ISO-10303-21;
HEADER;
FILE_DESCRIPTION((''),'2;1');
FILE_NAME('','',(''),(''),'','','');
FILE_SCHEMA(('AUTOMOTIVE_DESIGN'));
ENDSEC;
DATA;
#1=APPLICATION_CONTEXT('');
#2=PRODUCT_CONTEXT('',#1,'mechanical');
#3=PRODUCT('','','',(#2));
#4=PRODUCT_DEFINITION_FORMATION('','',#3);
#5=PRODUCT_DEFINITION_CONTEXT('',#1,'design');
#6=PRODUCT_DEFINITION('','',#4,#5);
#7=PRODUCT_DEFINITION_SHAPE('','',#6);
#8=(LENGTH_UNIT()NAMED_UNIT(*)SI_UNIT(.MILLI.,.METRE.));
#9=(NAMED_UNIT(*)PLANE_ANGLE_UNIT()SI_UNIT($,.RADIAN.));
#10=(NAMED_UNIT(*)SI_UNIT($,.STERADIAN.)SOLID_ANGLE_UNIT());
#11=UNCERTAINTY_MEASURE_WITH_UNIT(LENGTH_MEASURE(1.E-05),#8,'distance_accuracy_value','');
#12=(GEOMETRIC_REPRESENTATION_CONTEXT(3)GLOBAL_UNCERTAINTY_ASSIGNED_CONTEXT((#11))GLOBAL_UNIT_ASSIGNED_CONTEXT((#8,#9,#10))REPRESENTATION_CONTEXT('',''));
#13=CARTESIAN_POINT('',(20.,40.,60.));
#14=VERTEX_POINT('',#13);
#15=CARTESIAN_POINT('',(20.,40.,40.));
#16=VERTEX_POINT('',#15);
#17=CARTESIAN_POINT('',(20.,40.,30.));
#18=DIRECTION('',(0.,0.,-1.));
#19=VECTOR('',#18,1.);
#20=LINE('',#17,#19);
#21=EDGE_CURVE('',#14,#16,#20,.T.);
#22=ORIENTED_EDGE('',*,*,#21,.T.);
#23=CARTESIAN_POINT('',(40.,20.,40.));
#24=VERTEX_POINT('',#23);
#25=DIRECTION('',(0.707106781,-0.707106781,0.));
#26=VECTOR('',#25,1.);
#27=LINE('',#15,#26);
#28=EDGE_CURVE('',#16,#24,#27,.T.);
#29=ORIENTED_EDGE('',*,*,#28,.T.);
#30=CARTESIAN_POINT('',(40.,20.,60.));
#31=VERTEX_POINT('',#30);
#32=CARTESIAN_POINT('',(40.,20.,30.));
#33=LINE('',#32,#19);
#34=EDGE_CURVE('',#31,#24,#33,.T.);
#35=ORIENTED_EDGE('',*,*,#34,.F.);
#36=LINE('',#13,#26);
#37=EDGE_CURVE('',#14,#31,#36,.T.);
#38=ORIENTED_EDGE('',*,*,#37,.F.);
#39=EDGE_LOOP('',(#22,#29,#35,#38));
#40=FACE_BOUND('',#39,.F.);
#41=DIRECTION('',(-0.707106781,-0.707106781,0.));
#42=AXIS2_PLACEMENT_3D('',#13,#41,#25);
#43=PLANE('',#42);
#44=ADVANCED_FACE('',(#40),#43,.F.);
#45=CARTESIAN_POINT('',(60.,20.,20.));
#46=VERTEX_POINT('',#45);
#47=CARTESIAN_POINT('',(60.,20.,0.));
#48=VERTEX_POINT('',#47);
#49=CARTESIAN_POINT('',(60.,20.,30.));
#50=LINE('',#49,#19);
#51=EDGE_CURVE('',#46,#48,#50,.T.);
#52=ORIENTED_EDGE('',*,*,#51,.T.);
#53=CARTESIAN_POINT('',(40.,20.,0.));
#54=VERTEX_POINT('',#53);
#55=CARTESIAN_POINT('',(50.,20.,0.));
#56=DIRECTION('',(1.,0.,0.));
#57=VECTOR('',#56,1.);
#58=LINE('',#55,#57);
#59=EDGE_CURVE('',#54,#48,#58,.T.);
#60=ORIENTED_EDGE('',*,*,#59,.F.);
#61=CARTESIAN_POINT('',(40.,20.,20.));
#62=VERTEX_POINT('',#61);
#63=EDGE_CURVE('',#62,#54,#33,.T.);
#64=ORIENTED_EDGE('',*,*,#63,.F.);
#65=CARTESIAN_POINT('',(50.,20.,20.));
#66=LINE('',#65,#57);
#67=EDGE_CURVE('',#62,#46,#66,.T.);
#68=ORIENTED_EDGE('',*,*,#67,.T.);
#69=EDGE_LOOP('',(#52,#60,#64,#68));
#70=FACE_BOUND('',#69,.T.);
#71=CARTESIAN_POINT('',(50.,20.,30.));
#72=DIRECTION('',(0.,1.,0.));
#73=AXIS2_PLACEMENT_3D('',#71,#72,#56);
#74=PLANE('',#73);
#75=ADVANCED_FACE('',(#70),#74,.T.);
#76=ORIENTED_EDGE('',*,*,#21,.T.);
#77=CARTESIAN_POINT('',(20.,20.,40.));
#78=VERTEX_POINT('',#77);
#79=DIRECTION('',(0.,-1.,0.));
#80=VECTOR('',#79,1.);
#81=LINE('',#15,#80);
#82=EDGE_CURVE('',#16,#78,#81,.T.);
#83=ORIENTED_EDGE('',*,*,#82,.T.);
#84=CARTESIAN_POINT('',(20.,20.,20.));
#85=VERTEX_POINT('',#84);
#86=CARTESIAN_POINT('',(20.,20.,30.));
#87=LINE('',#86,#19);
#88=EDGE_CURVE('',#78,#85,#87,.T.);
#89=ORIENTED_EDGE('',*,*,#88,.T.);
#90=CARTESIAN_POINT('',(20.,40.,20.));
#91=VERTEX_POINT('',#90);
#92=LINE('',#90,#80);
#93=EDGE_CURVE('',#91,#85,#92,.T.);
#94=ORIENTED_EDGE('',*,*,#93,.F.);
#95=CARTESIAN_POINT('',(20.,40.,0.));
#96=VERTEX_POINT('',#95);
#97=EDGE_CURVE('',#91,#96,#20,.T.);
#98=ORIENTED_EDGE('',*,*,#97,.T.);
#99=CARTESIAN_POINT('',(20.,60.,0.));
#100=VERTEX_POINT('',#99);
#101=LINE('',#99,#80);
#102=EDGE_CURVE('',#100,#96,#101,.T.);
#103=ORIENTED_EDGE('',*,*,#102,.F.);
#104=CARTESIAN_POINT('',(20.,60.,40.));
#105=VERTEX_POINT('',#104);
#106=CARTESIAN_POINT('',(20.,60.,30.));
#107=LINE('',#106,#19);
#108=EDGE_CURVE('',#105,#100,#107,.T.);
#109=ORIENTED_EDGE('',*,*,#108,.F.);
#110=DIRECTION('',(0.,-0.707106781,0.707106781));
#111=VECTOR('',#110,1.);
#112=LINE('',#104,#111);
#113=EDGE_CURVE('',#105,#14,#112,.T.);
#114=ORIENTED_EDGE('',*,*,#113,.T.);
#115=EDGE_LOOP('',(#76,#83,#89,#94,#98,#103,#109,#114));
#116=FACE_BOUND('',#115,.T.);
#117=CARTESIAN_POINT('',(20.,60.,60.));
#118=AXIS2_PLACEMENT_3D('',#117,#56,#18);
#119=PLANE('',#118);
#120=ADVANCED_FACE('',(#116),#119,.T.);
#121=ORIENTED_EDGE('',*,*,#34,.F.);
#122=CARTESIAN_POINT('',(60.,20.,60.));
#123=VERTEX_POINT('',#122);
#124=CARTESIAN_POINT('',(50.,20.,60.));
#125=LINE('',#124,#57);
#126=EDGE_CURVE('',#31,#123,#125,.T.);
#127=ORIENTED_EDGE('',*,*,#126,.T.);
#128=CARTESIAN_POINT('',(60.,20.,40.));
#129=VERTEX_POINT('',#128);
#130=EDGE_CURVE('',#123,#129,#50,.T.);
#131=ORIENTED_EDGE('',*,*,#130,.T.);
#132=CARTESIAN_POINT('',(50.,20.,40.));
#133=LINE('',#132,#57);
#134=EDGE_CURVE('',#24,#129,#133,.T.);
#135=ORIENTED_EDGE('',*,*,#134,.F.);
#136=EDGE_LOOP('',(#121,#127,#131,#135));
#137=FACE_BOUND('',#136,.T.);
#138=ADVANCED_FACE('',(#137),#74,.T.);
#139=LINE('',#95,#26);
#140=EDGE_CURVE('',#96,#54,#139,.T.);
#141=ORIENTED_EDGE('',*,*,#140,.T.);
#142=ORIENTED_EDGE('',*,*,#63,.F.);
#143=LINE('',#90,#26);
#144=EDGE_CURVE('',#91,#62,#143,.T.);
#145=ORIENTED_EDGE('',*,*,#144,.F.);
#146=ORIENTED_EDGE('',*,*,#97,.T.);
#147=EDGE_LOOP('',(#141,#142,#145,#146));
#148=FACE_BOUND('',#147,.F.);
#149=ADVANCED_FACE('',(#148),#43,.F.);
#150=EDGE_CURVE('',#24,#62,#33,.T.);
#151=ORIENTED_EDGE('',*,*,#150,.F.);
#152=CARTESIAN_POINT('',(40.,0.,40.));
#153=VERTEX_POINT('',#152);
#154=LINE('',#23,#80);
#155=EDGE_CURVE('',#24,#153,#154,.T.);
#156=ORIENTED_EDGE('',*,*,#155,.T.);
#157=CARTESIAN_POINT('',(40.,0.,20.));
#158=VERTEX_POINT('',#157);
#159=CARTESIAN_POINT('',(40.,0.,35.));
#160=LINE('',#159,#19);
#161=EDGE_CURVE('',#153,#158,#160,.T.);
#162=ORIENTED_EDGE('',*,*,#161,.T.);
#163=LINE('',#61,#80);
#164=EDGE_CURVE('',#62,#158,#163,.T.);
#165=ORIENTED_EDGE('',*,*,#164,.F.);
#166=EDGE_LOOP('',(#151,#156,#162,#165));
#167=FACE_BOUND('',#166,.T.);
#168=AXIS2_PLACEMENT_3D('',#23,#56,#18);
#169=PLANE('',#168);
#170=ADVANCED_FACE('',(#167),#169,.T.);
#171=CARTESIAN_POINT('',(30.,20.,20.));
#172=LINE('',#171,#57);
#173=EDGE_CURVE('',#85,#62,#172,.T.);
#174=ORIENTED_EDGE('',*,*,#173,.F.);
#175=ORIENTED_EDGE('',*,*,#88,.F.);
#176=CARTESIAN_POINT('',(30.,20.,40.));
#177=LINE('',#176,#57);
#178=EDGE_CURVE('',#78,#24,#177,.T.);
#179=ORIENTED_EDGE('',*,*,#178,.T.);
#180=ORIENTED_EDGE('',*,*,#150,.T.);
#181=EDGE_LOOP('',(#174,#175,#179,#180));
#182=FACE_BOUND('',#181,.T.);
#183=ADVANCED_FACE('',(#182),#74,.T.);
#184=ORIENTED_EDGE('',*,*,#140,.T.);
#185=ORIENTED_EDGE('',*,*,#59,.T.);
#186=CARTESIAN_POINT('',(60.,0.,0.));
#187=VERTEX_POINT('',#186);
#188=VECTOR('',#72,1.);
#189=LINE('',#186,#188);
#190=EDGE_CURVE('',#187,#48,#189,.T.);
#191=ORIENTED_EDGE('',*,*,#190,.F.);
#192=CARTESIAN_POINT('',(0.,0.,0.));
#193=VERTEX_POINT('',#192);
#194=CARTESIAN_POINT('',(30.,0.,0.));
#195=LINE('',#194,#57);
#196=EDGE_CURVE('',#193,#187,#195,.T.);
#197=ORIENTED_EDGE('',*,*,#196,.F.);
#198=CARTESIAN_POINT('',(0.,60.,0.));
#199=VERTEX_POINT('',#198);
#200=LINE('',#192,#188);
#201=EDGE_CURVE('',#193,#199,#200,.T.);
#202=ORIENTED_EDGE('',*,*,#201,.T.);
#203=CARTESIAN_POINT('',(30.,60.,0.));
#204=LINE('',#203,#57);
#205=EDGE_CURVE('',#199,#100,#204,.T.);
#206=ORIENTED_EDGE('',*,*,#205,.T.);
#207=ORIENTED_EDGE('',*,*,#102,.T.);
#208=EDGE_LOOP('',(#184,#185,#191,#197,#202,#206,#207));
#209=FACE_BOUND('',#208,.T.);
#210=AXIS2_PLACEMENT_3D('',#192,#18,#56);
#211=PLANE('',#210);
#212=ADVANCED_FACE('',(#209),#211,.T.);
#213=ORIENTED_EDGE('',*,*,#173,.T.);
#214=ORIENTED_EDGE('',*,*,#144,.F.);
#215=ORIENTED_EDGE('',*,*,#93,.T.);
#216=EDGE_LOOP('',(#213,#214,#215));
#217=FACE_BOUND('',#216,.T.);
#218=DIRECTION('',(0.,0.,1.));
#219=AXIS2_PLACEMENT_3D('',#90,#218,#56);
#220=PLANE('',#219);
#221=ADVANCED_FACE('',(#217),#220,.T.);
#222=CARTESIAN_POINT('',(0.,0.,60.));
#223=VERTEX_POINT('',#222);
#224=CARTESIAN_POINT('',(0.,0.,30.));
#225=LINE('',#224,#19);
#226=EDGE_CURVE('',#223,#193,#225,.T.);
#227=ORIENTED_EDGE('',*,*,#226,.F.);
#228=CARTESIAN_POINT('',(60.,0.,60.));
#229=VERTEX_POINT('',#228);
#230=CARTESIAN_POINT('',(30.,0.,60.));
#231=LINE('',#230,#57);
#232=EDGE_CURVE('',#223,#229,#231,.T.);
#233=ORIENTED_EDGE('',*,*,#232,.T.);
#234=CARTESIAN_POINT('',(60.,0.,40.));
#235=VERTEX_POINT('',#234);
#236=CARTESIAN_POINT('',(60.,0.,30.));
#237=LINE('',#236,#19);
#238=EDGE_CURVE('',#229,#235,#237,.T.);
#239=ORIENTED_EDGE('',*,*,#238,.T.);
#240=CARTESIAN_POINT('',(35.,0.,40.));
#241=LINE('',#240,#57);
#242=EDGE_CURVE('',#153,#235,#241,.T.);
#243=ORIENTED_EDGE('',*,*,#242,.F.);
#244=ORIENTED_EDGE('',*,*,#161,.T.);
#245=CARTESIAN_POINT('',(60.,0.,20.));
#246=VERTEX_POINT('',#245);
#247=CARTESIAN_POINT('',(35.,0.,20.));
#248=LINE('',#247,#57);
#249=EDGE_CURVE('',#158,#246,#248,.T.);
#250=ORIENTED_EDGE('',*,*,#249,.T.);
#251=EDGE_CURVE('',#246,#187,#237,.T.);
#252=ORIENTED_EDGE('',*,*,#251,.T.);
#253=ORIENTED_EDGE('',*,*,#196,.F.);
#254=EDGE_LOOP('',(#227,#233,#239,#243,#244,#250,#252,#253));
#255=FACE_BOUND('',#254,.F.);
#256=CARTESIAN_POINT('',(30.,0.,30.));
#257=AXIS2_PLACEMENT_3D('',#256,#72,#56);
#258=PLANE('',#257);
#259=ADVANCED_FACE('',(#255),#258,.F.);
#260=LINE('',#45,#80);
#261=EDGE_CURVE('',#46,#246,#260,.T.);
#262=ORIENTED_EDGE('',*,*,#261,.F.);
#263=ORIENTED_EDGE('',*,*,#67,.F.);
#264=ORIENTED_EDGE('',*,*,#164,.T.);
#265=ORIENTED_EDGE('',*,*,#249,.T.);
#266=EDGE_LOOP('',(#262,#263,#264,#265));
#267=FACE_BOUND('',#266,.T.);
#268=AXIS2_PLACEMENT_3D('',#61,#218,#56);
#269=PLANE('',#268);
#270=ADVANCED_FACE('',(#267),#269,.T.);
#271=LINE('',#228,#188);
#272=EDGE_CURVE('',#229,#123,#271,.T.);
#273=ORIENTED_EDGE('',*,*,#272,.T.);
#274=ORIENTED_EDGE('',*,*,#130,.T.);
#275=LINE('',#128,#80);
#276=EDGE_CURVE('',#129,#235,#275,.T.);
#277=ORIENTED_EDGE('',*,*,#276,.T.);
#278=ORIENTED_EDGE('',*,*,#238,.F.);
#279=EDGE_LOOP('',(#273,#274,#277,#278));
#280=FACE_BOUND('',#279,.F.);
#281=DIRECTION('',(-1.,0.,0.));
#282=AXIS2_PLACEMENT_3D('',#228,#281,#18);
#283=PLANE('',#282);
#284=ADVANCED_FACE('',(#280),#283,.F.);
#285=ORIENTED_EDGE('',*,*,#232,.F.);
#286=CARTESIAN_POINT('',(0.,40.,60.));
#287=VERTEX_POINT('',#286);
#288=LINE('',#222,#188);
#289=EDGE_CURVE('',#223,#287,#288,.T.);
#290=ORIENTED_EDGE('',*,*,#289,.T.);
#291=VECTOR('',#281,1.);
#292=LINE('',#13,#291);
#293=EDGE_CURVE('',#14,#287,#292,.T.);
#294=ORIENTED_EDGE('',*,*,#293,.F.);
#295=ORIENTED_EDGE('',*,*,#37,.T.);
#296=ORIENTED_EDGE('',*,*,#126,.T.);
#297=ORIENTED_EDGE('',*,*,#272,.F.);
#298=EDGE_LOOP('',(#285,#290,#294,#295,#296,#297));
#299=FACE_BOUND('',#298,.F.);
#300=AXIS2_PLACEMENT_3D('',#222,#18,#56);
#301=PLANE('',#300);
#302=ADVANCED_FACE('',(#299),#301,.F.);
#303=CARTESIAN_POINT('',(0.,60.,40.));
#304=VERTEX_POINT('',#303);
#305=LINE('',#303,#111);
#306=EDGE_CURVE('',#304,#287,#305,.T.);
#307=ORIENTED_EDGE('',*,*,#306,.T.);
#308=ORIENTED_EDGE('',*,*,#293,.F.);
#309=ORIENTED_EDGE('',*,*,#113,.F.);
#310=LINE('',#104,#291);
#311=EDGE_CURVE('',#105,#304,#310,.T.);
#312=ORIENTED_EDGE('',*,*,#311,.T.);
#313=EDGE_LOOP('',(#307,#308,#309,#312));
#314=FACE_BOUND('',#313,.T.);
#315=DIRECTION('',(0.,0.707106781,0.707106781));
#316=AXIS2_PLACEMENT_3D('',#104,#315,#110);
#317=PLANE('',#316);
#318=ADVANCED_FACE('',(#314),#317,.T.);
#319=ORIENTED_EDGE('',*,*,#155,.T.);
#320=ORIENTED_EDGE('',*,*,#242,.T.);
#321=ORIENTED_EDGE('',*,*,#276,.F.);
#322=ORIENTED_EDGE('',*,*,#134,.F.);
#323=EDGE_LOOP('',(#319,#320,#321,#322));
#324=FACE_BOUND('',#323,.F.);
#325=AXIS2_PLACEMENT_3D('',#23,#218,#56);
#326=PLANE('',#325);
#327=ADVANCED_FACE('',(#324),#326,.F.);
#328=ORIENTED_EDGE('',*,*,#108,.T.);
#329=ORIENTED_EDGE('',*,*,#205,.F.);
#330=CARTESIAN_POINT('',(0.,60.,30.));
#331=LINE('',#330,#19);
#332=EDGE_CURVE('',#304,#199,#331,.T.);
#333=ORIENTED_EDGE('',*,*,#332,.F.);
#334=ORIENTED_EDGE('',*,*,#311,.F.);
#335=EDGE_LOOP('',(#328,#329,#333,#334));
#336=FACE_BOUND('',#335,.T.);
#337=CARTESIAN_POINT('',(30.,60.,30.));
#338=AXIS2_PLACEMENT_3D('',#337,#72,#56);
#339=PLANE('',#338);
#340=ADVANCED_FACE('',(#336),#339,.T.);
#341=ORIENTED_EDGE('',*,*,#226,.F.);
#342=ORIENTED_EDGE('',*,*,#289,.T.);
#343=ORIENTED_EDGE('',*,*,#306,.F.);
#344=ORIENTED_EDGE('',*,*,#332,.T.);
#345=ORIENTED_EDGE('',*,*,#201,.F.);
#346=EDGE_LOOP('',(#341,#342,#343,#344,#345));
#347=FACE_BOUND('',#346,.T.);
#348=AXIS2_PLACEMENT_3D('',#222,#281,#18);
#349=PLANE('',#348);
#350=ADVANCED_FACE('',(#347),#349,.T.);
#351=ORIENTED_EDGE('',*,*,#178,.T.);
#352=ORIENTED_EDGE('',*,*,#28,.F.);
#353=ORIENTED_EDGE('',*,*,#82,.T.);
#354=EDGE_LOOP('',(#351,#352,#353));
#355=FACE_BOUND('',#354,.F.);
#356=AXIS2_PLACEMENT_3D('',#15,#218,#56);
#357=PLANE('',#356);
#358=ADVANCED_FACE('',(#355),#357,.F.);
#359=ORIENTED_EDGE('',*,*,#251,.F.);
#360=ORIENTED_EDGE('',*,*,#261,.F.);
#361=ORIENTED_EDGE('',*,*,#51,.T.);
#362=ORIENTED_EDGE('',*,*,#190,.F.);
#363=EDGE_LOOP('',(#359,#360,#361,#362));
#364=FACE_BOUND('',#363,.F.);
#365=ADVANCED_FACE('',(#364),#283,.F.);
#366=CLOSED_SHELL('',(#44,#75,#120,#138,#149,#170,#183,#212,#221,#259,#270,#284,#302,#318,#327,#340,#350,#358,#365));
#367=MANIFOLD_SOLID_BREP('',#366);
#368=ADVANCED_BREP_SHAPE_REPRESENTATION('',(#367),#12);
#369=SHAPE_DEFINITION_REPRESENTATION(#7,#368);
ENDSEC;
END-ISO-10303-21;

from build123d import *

# Parameters (mm, degrees)
CROQUIS1_W              = 60
CROQUIS1_H              = 60
SALIENTE_EXTRUIR1_DEPTH = 60
CROQUIS2_W              = 40
CROQUIS2_H              = 60
CORTAR_EXTRUIR1_DEPTH   = 20
CROQUIS3_W              = 20
CROQUIS3_H              = 60
CORTAR_EXTRUIR2_DEPTH   = 20
CORTAR_EXTRUIR3_DEPTH   = 20
CROQUIS7_W              = 20
CROQUIS7_H              = 20
CORTAR_EXTRUIR5_DEPTH   = 20
CORTAR_EXTRUIR6_DEPTH   = 60
CROQUIS8_W              = 20
CROQUIS8_H              = 20
CORTAR_EXTRUIR7_DEPTH   = 60


with BuildPart() as part:
    # Croquis1 → Saliente-Extruir1 (new body)
    with BuildSketch(Plane(origin=(0, 0, 0), x_dir=(1, 0, 0), z_dir=(0, 1, 0))):
        with Locations((30, -30)):
            Rectangle(CROQUIS1_W, CROQUIS1_H)
    extrude(amount=SALIENTE_EXTRUIR1_DEPTH)

    # Croquis2 → Cortar-Extruir1 (cut)
    with BuildSketch(Plane(origin=(0, 60, 0), x_dir=(1, 0, 0), z_dir=(0, 1, 0))):
        with Locations((40, -30)):
            Rectangle(CROQUIS2_W, CROQUIS2_H)
    extrude(amount=-CORTAR_EXTRUIR1_DEPTH, mode=Mode.SUBTRACT)

    # Croquis3 → Cortar-Extruir2 (cut)
    with BuildSketch(Plane(origin=(0, 40, 0), x_dir=(1, 0, 0), z_dir=(0, 1, 0))):
        with Locations((50, -30)):
            Rectangle(CROQUIS3_W, CROQUIS3_H)
    extrude(amount=-CORTAR_EXTRUIR2_DEPTH, mode=Mode.SUBTRACT)

    # Croquis4 → Cortar-Extruir3 (cut)
    with BuildSketch(Plane(origin=(20, 0, 0), x_dir=(0, 0, -1), z_dir=(1, 0, 0))):
        Polygon((-60, 40), (-60, 60), (-40, 60), align=None)
    extrude(amount=-CORTAR_EXTRUIR3_DEPTH, mode=Mode.SUBTRACT)

    # Croquis7 → Cortar-Extruir5 (cut)
    with BuildSketch(Plane(origin=(0, 40, 0), x_dir=(1, 0, 0), z_dir=(0, 1, 0))):
        with Locations((30, -30)):
            Rectangle(CROQUIS7_W, CROQUIS7_H)
    extrude(amount=-CORTAR_EXTRUIR5_DEPTH, mode=Mode.SUBTRACT)

    # Croquis5 → Cortar-Extruir6 (cut)
    with BuildSketch(Plane.XY.offset(60)):
        Polygon((20, 40), (40, 20), (40, 40), align=None)
    extrude(amount=-CORTAR_EXTRUIR6_DEPTH, mode=Mode.SUBTRACT)

    # Croquis8 → Cortar-Extruir7 (cut)
    with BuildSketch(Plane(origin=(0, 20, 0), x_dir=(1, 0, 0), z_dir=(0, 1, 0))):
        with Locations((50, -30)):
            Rectangle(CROQUIS8_W, CROQUIS8_H)
    extrude(amount=-CORTAR_EXTRUIR7_DEPTH, mode=Mode.SUBTRACT)


solid = part.part
